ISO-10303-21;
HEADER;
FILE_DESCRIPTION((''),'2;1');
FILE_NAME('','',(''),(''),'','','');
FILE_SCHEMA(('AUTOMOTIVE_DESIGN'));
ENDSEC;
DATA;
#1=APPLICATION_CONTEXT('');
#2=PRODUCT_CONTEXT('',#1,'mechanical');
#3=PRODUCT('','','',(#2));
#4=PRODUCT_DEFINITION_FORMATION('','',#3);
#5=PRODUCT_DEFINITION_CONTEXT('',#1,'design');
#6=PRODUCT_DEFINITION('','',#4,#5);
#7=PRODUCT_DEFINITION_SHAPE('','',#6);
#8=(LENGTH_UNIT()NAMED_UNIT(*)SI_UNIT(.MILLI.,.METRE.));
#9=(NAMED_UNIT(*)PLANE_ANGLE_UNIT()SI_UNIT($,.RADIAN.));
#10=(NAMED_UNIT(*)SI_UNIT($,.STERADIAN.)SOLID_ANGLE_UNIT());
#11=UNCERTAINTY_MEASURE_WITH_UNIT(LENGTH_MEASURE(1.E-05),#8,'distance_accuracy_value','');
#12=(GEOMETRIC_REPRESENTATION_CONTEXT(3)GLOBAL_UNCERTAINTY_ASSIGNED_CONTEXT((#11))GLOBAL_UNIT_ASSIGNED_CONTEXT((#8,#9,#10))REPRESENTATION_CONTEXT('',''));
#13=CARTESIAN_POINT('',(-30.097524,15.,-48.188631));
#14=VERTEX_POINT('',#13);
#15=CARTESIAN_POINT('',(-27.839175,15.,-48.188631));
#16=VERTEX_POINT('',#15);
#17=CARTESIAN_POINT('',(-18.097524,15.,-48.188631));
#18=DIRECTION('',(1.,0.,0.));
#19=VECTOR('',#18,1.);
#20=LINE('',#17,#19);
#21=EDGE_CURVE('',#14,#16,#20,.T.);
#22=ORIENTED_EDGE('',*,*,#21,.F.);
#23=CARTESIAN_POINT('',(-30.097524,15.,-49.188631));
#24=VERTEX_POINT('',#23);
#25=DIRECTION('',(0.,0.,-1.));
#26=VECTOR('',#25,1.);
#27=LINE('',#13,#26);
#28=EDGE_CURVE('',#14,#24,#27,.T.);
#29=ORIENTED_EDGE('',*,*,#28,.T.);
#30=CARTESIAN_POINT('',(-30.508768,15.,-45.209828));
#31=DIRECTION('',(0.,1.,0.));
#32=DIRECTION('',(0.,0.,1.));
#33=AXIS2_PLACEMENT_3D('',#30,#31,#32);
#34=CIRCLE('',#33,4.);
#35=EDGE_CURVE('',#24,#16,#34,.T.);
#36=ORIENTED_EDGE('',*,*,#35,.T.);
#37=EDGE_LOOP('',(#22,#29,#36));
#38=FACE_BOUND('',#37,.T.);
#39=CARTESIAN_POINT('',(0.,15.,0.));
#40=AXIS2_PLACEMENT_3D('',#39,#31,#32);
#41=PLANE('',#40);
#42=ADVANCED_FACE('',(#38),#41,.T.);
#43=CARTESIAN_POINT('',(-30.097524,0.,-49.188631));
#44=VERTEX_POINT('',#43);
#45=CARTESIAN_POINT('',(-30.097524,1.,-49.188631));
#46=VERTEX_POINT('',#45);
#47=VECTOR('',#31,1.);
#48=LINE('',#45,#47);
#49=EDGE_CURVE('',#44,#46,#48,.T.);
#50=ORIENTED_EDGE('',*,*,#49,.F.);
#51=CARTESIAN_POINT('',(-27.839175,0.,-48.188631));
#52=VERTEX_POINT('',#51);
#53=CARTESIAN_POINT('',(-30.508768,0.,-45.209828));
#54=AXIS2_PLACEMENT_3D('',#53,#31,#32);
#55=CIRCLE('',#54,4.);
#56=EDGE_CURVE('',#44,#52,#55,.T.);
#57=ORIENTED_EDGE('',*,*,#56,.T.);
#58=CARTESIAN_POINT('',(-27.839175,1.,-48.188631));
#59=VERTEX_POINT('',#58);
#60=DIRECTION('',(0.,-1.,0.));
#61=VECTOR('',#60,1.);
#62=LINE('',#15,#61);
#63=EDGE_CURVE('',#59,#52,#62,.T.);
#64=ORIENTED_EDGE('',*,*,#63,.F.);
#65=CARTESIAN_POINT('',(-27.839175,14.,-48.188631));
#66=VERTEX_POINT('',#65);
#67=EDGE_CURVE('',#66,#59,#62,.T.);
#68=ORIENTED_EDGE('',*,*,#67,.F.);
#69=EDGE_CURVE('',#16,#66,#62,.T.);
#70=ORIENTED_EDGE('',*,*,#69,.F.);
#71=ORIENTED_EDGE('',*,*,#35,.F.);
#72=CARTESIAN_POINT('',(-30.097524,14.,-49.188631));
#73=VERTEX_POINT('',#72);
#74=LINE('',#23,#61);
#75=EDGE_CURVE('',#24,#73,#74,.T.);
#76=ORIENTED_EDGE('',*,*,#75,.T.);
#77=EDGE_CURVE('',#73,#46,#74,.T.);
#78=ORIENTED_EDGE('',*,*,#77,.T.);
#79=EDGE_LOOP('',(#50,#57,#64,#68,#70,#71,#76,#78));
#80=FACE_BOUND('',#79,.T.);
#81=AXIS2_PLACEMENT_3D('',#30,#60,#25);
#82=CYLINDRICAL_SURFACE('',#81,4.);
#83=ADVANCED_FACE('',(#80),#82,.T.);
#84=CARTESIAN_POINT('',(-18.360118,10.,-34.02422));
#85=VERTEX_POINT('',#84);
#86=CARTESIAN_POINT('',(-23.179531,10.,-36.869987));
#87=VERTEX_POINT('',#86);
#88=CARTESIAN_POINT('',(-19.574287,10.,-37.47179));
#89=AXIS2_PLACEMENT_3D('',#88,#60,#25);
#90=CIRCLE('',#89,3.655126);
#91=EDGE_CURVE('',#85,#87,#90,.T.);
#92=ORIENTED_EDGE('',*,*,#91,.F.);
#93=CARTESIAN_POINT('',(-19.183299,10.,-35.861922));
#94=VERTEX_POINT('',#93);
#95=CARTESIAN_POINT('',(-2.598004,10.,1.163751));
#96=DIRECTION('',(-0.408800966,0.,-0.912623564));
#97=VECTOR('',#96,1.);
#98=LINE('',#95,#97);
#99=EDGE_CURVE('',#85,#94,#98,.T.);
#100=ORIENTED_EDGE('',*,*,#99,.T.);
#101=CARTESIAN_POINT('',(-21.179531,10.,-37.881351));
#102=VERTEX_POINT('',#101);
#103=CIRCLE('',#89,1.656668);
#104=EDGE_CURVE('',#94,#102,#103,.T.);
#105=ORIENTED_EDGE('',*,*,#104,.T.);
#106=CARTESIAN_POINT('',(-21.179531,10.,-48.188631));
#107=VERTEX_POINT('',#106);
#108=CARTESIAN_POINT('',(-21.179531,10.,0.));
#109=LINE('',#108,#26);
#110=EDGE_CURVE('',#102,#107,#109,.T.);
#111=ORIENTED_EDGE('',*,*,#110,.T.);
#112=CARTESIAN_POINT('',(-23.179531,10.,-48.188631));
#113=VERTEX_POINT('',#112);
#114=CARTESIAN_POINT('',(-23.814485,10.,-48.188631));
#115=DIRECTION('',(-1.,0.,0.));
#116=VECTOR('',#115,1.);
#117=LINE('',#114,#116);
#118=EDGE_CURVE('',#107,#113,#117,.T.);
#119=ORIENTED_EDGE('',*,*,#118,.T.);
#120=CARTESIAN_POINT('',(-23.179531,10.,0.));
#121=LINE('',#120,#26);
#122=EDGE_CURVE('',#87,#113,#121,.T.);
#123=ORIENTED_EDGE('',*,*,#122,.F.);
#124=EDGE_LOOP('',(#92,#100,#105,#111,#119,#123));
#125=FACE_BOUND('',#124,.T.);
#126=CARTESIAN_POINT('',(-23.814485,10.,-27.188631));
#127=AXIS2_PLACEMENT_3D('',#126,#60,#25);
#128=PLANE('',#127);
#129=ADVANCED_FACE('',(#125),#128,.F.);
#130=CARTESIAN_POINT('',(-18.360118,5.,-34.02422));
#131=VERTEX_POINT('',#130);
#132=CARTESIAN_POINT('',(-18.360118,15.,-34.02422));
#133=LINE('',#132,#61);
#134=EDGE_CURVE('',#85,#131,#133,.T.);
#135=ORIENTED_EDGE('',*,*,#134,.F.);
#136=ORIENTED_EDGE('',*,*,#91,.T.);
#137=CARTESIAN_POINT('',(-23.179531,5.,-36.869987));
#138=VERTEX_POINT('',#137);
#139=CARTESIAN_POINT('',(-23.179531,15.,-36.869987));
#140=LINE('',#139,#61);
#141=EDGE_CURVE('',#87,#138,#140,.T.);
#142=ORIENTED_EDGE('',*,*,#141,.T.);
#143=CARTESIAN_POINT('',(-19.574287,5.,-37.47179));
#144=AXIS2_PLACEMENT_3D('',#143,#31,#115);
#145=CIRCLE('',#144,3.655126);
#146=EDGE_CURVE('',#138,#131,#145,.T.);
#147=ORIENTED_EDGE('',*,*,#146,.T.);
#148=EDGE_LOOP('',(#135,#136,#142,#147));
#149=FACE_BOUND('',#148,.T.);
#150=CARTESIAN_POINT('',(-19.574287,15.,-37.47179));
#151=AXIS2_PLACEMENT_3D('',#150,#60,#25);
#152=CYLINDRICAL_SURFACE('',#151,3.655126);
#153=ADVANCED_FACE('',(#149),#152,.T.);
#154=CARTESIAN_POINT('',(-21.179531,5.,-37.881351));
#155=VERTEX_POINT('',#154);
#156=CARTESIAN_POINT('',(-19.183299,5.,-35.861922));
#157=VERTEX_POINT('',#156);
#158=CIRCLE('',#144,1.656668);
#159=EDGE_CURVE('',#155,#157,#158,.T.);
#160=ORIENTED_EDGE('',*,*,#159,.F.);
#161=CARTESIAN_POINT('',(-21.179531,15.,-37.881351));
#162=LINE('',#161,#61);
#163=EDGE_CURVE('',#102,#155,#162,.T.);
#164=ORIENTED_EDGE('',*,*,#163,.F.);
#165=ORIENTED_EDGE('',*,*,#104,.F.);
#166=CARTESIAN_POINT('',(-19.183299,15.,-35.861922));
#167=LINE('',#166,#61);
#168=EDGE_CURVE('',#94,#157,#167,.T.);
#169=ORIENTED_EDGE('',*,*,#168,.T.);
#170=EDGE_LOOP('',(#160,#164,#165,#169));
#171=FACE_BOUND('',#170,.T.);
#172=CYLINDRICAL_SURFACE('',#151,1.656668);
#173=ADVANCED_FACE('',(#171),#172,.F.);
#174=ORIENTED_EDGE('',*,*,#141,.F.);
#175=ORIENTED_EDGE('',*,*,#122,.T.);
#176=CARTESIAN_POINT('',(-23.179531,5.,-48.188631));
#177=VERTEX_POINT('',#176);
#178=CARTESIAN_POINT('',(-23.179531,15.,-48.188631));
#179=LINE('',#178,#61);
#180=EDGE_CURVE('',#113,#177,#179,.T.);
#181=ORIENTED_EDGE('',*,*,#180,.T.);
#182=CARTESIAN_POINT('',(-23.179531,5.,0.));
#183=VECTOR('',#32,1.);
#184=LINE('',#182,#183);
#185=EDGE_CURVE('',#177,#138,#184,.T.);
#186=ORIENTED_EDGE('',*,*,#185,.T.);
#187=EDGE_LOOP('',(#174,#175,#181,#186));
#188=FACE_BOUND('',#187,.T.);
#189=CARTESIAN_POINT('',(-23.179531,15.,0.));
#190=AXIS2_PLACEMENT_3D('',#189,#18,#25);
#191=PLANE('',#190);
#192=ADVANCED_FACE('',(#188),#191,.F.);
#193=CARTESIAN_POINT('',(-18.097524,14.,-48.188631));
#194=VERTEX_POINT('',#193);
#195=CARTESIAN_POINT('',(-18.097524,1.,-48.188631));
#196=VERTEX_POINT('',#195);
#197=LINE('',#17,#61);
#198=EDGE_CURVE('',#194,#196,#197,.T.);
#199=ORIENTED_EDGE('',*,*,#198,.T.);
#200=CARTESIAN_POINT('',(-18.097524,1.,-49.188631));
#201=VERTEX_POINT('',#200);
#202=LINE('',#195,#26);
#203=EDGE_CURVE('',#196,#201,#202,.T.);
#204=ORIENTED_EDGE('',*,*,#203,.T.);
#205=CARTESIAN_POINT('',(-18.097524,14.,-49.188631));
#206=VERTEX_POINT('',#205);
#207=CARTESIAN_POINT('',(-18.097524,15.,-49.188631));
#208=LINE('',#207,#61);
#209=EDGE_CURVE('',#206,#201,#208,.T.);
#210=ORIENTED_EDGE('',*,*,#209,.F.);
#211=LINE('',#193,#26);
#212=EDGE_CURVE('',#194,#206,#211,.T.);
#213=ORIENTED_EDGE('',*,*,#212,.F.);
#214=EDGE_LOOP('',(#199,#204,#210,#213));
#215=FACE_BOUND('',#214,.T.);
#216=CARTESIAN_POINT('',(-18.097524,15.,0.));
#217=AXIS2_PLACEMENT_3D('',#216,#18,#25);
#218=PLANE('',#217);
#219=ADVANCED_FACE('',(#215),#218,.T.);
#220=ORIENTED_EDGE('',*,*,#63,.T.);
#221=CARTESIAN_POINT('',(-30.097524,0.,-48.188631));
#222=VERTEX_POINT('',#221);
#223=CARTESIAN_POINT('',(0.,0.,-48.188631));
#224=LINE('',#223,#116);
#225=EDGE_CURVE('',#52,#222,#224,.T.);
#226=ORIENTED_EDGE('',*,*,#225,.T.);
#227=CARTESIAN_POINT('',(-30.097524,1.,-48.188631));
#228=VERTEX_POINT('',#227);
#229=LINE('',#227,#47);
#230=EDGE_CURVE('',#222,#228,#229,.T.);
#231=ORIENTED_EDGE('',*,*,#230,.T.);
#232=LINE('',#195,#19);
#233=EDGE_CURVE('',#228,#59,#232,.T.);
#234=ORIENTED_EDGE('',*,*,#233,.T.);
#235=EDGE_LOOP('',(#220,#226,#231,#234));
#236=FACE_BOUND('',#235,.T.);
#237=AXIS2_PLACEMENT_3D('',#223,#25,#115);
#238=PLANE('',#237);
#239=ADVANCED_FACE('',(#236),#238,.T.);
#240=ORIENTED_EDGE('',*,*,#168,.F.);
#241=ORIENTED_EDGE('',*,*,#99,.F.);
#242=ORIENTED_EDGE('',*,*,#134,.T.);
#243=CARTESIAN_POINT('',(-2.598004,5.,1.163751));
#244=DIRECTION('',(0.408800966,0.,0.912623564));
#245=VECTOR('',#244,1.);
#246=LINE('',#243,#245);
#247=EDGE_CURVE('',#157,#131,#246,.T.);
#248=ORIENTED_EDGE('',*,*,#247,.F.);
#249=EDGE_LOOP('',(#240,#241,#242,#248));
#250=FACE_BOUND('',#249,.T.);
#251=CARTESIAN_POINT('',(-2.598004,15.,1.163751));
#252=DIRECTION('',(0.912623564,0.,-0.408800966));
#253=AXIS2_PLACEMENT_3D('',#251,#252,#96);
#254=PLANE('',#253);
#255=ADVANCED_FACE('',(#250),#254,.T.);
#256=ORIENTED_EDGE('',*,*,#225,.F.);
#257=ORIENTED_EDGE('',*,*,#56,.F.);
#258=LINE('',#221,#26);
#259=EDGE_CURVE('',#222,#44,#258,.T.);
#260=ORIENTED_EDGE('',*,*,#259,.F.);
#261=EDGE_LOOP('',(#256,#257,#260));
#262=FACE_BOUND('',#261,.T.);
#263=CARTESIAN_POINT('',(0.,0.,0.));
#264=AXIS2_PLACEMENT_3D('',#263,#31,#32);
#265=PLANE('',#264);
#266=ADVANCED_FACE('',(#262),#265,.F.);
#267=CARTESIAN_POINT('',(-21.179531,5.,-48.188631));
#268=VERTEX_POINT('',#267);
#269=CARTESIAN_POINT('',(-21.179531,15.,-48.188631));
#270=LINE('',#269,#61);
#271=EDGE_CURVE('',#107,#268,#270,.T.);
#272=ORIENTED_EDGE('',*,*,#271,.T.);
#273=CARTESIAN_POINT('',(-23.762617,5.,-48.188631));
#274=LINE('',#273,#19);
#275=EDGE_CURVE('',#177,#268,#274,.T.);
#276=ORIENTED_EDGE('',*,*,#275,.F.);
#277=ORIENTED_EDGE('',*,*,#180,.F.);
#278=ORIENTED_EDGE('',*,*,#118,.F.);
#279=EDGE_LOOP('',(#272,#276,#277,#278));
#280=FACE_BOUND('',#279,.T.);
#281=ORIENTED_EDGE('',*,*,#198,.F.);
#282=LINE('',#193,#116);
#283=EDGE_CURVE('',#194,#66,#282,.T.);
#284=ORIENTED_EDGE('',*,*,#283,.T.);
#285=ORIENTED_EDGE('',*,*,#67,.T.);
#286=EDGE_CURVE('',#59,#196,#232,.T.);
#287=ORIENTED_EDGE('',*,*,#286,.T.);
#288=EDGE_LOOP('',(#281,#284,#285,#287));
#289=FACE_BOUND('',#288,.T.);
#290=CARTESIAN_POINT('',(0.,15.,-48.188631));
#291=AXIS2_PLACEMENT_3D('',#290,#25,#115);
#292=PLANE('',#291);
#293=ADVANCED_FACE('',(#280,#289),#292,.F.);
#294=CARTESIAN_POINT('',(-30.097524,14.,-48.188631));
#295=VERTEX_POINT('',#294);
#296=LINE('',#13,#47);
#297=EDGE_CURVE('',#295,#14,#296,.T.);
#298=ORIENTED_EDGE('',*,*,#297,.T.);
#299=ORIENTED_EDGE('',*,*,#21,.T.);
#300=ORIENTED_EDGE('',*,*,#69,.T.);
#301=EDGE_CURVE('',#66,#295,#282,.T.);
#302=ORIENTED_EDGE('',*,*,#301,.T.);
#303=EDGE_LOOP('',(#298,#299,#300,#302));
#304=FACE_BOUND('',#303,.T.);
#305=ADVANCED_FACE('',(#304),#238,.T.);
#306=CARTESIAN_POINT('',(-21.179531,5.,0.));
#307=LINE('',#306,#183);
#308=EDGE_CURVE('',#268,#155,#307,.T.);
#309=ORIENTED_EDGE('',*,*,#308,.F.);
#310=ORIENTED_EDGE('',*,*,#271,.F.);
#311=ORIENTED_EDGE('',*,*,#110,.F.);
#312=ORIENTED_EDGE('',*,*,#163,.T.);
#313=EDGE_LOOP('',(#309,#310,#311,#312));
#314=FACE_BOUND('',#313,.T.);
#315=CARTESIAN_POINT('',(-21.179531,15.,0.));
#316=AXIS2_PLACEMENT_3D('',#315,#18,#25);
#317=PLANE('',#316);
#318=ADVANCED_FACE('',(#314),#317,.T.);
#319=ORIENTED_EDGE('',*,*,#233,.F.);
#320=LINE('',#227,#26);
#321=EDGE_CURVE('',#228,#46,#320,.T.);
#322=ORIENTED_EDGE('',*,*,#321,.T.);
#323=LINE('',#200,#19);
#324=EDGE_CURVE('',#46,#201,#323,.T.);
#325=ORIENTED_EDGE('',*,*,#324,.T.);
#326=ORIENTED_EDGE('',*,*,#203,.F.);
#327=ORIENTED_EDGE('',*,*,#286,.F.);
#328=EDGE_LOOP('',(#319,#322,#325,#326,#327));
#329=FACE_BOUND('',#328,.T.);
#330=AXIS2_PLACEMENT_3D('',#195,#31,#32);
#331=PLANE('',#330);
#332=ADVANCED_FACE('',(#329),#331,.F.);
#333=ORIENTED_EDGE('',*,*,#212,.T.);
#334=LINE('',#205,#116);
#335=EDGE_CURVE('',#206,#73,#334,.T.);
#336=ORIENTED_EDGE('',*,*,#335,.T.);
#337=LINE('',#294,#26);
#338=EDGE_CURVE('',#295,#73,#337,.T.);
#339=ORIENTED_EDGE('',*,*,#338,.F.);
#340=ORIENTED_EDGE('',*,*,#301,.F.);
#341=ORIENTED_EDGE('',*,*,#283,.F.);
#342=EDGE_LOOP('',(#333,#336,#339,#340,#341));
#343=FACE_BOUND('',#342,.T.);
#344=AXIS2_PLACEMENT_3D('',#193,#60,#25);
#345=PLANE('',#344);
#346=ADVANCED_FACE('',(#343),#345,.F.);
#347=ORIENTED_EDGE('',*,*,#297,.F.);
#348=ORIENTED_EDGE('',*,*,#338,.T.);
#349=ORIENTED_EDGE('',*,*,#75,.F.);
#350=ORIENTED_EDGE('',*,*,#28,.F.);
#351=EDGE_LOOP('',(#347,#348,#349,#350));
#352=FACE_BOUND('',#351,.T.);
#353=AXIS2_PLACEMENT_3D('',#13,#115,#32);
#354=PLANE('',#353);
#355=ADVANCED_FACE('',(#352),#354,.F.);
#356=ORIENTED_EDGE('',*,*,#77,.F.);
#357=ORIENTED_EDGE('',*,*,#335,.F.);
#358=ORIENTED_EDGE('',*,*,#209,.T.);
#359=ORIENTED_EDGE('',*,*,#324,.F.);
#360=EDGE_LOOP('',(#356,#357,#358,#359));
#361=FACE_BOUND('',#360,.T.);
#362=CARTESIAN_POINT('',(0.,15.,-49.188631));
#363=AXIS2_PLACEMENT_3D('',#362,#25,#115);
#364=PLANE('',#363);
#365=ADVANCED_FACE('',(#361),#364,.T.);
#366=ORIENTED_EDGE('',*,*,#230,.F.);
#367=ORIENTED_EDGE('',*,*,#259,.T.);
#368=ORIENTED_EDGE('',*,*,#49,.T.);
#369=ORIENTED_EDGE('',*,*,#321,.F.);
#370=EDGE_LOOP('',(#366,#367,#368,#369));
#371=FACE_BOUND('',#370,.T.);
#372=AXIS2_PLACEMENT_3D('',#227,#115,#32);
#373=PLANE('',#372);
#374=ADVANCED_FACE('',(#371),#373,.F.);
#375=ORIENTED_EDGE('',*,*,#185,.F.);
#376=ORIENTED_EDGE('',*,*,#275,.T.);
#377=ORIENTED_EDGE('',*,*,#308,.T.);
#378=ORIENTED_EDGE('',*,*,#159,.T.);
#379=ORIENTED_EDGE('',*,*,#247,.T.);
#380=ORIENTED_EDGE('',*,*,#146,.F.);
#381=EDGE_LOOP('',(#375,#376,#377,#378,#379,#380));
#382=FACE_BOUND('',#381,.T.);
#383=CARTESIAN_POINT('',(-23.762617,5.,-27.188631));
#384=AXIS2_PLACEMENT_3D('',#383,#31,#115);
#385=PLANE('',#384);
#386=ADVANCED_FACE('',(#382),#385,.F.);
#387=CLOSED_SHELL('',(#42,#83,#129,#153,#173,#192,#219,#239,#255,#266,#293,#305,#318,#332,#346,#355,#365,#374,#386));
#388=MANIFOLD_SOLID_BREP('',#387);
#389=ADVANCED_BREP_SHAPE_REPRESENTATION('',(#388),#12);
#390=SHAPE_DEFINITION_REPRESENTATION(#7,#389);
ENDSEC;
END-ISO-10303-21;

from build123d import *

# Parameters (mm, degrees)
BOSS_EXTRUDE1_DEPTH = 15
SKETCH2_W           = 12
SKETCH2_H           = 1
CUT_EXTRUDE1_DEPTH  = 1
SKETCH5_W           = 6.028776927
SKETCH5_H           = 6.351314433
SKETCH5_W_2         = 5.976909526
SKETCH5_H_2         = 6.219071559
CUT_EXTRUDE2_DEPTH  = 21


with BuildPart() as part:
    # Sketch1 → Boss-Extrude1 (new body)
    with BuildSketch(Plane(origin=(0, 0, 0), x_dir=(1, 0, 0), z_dir=(0, 1, 0))):
        with BuildLine():
            ThreePointArc((-26.508767977, 45.209827562), (-26.856482836, 46.841027505), (-27.839174603, 48.188631218))
            Line((-27.839174603, 48.188631218), (-30.097524166, 48.188631218))
            Line((-30.097524166, 48.188631218), (-30.097524166, 49.188631218))
            ThreePointArc((-30.097524166, 49.188631218), (-33.479035241, 42.530739587), (-26.508767977, 45.209827562))
        make_face()
        with BuildLine():
            Line((-30.097524166, 48.188631218), (-27.839174603, 48.188631218))
            ThreePointArc((-27.839174603, 48.188631218), (-28.889234266, 48.86730081), (-30.097524166, 49.188631218))
            Line((-30.097524166, 49.188631218), (-30.097524166, 48.188631218))
        make_face()
        with BuildLine():
            Line((-27.839174603, 48.188631218), (-23.179530848, 48.188631218))
            Line((-23.179530848, 48.188631218), (-21.179530848, 48.188631218))
            Line((-21.179530848, 48.188631218), (-18.097524166, 48.188631218))
            Line((-18.097524166, 48.188631218), (-18.097524166, 49.188631218))
            Line((-18.097524166, 49.188631218), (-30.097524166, 49.188631218))
            ThreePointArc((-30.097524166, 49.188631218), (-28.889234266, 48.86730081), (-27.839174603, 48.188631218))
        make_face()
        with BuildLine():
            Line((-23.179530848, 48.188631218), (-23.179530848, 38.073593242))
            ThreePointArc((-23.179530848, 38.073593242), (-22.504394786, 39.656834499), (-21.179530848, 40.755559728))
            Line((-21.179530848, 40.755559728), (-21.179530848, 48.188631218))
            Line((-21.179530848, 48.188631218), (-23.179530848, 48.188631218))
        make_face()
        with BuildLine():
            Line((-21.179530848, 36.869987329), (-21.179530848, 37.062229248))
            ThreePointArc((-21.179530848, 37.062229248), (-21.23095476, 37.471790285), (-21.179530848, 37.881351323))
            Line((-21.179530848, 37.881351323), (-21.179530848, 40.755559728))
            ThreePointArc((-21.179530848, 40.755559728), (-22.504394786, 39.656834499), (-23.179530848, 38.073593242))
            Line((-23.179530848, 38.073593242), (-23.179530848, 36.869987329))
            Line((-23.179530848, 36.869987329), (-21.179530848, 36.869987329))
        make_face()
        with BuildLine():
            Line((-18.360117838, 34.024219809), (-19.183298893, 35.861921993))
            ThreePointArc((-19.183298893, 35.861921993), (-20.42797821, 36.052015934), (-21.179530848, 37.062229248))
            Line((-21.179530848, 37.062229248), (-21.179530848, 36.869987329))
            Line((-21.179530848, 36.869987329), (-23.179530848, 36.869987329))
            ThreePointArc((-23.179530848, 36.869987329), (-21.43275623, 34.324403792), (-18.360117838, 34.024219809))
        make_face()
    extrude(amount=BOSS_EXTRUDE1_DEPTH)

    # Sketch2 → Cut-Extrude1 (cut)
    with BuildSketch(Plane(origin=(0, 0, -49.188631218), x_dir=(-1, 0, 0), z_dir=(0, 0, -1))):
        with Locations((24.097524166, 14.5)):
            Rectangle(SKETCH2_W, SKETCH2_H)
        with Locations((24.097524166, 0.5)):
            Rectangle(SKETCH2_W, SKETCH2_H)
    extrude(amount=-CUT_EXTRUDE1_DEPTH, mode=Mode.SUBTRACT)

    # Sketch5 → Cut-Extrude2 (cut)
    with BuildSketch(Plane(origin=(0, 0, -48.188631218), x_dir=(-1, 0, 0), z_dir=(0, 0, -1))):
        with Locations((20.800096239, 13.175657217)):
            Rectangle(SKETCH5_W, SKETCH5_H)
        with Locations((20.774162538, 1.89046422)):
            Rectangle(SKETCH5_W_2, SKETCH5_H_2)
    extrude(amount=-CUT_EXTRUDE2_DEPTH, mode=Mode.SUBTRACT)


solid = part.part
